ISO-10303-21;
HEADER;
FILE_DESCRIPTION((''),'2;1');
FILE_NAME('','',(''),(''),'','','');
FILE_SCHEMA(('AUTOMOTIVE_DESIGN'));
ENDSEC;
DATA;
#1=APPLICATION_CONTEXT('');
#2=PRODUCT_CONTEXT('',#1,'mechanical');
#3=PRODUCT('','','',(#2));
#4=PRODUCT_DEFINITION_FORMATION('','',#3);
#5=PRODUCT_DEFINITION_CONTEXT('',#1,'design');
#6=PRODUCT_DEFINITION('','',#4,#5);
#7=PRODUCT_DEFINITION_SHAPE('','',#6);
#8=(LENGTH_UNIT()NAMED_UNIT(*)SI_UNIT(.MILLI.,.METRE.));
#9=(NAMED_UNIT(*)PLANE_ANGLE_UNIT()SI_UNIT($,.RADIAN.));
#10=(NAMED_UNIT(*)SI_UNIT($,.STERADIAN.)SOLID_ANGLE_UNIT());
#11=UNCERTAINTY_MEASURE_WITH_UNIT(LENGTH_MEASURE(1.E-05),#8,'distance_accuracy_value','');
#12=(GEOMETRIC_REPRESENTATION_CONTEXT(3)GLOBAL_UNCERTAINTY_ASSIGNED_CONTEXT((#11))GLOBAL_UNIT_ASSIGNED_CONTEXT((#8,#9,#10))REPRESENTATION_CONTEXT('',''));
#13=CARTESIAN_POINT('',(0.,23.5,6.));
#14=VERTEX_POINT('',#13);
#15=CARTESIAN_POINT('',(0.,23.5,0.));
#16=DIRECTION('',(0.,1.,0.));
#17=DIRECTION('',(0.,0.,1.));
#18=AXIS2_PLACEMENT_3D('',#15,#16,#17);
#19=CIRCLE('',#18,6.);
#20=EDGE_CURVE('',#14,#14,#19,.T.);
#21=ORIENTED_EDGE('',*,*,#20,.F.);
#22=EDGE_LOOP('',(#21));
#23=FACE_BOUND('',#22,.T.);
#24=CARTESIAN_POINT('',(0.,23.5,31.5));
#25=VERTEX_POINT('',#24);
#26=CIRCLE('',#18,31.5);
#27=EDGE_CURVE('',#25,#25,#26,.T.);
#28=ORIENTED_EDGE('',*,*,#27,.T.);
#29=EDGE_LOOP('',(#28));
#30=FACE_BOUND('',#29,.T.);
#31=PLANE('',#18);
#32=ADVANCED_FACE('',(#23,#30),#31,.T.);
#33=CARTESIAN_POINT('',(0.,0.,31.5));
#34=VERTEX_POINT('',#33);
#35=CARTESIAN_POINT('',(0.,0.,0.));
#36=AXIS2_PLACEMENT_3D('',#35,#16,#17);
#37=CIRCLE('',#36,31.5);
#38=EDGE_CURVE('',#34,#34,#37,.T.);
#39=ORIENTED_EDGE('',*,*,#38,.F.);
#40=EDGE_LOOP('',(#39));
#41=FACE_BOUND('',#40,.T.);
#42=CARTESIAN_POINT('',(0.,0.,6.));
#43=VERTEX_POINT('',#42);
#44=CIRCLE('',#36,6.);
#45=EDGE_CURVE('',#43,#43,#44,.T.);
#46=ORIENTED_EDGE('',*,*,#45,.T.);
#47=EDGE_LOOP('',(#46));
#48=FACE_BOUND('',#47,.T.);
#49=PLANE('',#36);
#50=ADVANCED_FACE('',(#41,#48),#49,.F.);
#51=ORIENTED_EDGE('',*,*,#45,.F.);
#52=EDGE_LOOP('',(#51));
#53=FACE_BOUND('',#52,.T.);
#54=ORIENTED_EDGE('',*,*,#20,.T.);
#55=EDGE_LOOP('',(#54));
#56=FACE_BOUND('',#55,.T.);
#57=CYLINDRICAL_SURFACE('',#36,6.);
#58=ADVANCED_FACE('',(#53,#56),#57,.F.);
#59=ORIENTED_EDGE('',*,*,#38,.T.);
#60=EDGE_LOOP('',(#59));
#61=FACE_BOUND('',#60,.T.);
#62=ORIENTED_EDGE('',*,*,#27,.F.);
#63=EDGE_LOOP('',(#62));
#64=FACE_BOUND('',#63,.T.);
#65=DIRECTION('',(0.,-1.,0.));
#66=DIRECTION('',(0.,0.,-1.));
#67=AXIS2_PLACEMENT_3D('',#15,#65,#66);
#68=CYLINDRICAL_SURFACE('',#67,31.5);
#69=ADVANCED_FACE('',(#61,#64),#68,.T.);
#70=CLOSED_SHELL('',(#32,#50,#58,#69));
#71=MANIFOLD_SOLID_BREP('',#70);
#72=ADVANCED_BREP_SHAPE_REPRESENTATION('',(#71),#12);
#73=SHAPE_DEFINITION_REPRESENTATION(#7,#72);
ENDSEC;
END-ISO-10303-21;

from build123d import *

# Parameters (mm, degrees)
SKETCH1_R           = 31.5
BOSS_EXTRUDE1_DEPTH = 23.5
SKETCH2_R           = 6
CUT_EXTRUDE1_DEPTH  = 23.5


with BuildPart() as part:
    # Sketch1 → Boss-Extrude1 (new body)
    with BuildSketch(Plane(origin=(0, 0, 0), x_dir=(1, 0, 0), z_dir=(0, 1, 0))):
        with Locations(Location((0, 0, 0), (0, 0, 270))):
            Circle(SKETCH1_R)
    extrude(amount=BOSS_EXTRUDE1_DEPTH)

    # Sketch2 → Cut-Extrude1 (cut)
    with BuildSketch(Plane(origin=(0, 23.5, 0), x_dir=(1, 0, 0), z_dir=(0, 1, 0))):
        with Locations(Location((0, 0, 0), (0, 0, 270))):
            Circle(SKETCH2_R)
    extrude(amount=-CUT_EXTRUDE1_DEPTH, mode=Mode.SUBTRACT)


solid = part.part
